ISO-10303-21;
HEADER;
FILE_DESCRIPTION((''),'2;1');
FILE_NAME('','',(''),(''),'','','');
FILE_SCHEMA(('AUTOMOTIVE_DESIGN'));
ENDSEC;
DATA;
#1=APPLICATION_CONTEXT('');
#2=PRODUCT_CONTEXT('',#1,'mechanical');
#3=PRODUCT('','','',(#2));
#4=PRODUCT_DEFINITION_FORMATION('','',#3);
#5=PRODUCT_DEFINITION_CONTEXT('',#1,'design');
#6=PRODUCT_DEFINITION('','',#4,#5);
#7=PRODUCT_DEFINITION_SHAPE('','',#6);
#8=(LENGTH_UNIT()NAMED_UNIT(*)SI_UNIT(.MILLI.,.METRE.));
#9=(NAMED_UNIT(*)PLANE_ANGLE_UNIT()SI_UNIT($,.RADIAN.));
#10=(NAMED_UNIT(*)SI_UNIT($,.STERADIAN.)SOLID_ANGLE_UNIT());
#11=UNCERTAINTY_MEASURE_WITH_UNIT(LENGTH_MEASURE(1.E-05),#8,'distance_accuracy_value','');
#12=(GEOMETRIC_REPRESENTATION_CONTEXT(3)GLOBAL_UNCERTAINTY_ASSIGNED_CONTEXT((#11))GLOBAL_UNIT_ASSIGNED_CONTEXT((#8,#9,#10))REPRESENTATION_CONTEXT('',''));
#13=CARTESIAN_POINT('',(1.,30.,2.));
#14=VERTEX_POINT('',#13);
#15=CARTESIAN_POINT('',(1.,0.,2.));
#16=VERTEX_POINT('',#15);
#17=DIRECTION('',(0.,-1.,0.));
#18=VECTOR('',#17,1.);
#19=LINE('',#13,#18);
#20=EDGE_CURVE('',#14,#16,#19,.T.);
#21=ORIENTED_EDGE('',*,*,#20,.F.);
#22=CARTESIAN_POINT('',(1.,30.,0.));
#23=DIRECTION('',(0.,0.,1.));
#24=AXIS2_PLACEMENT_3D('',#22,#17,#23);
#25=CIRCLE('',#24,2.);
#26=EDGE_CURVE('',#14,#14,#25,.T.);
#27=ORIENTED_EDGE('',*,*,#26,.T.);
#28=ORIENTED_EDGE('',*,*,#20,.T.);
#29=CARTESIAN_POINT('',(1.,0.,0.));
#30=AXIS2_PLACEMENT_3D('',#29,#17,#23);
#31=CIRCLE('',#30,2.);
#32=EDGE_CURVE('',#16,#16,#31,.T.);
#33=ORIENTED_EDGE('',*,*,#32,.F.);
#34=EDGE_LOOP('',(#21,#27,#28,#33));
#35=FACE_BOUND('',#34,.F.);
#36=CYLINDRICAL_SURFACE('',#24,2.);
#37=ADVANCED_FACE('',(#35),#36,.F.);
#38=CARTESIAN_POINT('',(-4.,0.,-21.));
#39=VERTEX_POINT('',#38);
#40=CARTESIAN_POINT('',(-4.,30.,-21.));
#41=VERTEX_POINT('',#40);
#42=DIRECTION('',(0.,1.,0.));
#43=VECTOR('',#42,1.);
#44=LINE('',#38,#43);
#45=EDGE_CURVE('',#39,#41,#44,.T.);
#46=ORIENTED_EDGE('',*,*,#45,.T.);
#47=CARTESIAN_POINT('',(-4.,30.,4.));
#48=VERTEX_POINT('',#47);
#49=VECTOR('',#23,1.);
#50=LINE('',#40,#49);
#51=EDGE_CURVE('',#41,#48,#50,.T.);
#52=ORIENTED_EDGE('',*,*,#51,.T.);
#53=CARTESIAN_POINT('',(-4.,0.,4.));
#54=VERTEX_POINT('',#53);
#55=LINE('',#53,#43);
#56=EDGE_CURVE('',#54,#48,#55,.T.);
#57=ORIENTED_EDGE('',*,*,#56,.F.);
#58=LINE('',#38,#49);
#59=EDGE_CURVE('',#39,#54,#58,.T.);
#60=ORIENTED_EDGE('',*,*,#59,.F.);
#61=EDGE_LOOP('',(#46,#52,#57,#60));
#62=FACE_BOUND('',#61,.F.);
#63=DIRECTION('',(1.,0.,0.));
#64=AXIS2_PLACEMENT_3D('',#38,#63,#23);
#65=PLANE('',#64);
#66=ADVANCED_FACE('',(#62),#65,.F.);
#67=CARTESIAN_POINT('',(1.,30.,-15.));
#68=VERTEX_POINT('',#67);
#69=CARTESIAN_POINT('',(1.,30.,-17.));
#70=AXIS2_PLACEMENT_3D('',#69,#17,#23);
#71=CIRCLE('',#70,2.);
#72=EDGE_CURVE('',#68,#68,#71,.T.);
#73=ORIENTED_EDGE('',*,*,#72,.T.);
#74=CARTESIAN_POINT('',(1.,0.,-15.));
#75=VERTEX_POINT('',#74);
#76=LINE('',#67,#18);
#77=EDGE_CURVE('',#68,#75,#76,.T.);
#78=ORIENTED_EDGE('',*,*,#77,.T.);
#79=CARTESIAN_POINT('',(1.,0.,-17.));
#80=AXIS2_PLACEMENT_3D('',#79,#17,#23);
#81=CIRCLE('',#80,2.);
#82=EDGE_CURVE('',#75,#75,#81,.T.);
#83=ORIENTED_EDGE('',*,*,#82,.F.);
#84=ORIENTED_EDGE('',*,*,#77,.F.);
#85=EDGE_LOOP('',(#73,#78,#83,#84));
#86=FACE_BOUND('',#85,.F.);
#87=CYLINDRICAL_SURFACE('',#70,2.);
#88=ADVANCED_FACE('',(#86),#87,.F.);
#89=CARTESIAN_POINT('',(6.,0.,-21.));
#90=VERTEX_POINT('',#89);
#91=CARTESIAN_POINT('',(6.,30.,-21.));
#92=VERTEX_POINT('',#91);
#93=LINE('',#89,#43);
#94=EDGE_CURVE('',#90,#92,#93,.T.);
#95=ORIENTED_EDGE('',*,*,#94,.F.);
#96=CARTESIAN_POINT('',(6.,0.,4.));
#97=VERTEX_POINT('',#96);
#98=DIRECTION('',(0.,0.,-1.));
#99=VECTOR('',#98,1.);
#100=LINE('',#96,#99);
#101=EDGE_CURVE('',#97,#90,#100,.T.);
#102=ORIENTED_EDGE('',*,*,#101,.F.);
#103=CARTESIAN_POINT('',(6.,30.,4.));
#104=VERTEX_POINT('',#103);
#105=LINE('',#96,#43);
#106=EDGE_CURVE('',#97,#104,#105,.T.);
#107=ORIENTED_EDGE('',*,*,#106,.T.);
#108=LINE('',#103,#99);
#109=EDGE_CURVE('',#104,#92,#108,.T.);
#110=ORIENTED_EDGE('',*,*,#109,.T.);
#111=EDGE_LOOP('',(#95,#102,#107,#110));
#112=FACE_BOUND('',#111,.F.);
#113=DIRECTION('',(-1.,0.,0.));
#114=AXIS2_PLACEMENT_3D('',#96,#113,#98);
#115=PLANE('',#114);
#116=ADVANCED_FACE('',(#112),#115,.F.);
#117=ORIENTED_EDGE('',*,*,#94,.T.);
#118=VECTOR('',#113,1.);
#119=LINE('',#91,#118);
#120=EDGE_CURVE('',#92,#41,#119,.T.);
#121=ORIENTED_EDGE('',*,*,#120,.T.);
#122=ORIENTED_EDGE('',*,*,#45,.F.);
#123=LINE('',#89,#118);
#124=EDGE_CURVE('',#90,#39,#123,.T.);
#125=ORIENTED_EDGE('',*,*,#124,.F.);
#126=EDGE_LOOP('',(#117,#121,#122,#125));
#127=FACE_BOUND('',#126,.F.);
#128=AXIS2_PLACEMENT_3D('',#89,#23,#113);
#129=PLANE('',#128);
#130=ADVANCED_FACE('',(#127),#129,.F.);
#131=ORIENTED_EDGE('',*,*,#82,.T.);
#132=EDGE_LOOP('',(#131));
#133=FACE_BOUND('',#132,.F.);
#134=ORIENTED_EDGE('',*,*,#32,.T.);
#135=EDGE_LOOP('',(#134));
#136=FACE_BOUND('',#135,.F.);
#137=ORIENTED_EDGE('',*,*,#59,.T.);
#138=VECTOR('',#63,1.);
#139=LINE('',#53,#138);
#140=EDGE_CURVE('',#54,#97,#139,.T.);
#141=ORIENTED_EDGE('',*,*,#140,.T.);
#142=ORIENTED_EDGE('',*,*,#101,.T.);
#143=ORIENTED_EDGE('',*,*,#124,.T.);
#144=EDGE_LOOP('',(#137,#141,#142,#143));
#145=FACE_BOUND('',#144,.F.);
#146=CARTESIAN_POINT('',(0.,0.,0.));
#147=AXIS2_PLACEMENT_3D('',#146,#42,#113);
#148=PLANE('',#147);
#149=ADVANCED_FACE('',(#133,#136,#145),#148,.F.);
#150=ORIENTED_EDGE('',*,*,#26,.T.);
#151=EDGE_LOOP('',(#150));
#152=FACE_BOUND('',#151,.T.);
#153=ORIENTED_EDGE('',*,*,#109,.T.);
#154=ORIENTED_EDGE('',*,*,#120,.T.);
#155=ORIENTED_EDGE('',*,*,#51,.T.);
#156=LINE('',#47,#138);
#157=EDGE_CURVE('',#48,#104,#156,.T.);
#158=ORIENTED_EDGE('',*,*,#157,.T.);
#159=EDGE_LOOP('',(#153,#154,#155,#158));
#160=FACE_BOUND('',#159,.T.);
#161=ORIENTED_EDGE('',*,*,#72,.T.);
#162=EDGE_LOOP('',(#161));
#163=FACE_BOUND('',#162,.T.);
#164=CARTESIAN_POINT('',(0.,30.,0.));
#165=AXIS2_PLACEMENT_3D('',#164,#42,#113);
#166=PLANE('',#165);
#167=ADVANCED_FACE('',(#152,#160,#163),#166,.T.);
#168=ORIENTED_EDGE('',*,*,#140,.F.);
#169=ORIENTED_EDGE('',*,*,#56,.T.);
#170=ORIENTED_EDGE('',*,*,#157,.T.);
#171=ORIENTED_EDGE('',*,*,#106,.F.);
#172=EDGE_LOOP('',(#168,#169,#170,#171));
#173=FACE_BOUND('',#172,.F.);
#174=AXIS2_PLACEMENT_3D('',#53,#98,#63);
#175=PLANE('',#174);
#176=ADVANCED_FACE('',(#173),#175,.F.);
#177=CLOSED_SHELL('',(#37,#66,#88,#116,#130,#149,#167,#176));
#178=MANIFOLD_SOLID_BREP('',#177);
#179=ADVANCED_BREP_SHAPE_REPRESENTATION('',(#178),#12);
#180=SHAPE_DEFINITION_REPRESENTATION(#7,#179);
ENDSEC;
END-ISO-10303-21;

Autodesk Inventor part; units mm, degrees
ref_plane "YZ Plane" through (0, 0, 0) normal (1, 0, 0) x (0, 1, 0)
ref_plane "XZ Plane" through (0, 0, 0) normal (0, 1, 0) x (-1, 0, 0)
ref_plane "XY Plane" through (0, 0, 0) normal (0, 0, 1) x (1, 0, 0)
sketch "Sketch1" plane through (0, 0, 0) normal (0, 1, 0) x (-1, 0, 0)
  line L0 (4, 4) -> (-6, 4)
  line L1 (-6, 4) -> (-6, -21)
  line L2 (-6, -21) -> (4, -21)
  line L3 (4, -21) -> (4, 4)
  point P0 (0, 0)
  dimension "d0" = 10
  dimension "d1" = 25
extrude "Extrusion1" add sketch "Sketch1" along normal blind 30
sketch "Sketch2" plane through (0, 30, 0) normal (0, 1, 0) x (1, 0, 0)
  line L0 (1, 28) -> (1, -15) construction
  line L1 (-4, 21) -> (-4, -4) projected
  circle A0 centre (1, 17) radius 2
  circle A1 centre (1, 0) radius 2
  line L2 (-4, -4) -> (6, -4) projected
  point P0 (0, 0)
  dimension "d5" = 5
  dimension "d6" = 4
  dimension "d7" = 4
  dimension "d8" = 17
  dimension "d9" = 4
  dimension "d10" = 25
hole "Hole1" at (1, 30, 0) at (1, 30, -17) direction (0, -1, 0) diameter 4 end through all
equation "\"d9\" = -0.5 * d8 + 0.5 * d10"
properties part number "mocowanie uchwytu02"
